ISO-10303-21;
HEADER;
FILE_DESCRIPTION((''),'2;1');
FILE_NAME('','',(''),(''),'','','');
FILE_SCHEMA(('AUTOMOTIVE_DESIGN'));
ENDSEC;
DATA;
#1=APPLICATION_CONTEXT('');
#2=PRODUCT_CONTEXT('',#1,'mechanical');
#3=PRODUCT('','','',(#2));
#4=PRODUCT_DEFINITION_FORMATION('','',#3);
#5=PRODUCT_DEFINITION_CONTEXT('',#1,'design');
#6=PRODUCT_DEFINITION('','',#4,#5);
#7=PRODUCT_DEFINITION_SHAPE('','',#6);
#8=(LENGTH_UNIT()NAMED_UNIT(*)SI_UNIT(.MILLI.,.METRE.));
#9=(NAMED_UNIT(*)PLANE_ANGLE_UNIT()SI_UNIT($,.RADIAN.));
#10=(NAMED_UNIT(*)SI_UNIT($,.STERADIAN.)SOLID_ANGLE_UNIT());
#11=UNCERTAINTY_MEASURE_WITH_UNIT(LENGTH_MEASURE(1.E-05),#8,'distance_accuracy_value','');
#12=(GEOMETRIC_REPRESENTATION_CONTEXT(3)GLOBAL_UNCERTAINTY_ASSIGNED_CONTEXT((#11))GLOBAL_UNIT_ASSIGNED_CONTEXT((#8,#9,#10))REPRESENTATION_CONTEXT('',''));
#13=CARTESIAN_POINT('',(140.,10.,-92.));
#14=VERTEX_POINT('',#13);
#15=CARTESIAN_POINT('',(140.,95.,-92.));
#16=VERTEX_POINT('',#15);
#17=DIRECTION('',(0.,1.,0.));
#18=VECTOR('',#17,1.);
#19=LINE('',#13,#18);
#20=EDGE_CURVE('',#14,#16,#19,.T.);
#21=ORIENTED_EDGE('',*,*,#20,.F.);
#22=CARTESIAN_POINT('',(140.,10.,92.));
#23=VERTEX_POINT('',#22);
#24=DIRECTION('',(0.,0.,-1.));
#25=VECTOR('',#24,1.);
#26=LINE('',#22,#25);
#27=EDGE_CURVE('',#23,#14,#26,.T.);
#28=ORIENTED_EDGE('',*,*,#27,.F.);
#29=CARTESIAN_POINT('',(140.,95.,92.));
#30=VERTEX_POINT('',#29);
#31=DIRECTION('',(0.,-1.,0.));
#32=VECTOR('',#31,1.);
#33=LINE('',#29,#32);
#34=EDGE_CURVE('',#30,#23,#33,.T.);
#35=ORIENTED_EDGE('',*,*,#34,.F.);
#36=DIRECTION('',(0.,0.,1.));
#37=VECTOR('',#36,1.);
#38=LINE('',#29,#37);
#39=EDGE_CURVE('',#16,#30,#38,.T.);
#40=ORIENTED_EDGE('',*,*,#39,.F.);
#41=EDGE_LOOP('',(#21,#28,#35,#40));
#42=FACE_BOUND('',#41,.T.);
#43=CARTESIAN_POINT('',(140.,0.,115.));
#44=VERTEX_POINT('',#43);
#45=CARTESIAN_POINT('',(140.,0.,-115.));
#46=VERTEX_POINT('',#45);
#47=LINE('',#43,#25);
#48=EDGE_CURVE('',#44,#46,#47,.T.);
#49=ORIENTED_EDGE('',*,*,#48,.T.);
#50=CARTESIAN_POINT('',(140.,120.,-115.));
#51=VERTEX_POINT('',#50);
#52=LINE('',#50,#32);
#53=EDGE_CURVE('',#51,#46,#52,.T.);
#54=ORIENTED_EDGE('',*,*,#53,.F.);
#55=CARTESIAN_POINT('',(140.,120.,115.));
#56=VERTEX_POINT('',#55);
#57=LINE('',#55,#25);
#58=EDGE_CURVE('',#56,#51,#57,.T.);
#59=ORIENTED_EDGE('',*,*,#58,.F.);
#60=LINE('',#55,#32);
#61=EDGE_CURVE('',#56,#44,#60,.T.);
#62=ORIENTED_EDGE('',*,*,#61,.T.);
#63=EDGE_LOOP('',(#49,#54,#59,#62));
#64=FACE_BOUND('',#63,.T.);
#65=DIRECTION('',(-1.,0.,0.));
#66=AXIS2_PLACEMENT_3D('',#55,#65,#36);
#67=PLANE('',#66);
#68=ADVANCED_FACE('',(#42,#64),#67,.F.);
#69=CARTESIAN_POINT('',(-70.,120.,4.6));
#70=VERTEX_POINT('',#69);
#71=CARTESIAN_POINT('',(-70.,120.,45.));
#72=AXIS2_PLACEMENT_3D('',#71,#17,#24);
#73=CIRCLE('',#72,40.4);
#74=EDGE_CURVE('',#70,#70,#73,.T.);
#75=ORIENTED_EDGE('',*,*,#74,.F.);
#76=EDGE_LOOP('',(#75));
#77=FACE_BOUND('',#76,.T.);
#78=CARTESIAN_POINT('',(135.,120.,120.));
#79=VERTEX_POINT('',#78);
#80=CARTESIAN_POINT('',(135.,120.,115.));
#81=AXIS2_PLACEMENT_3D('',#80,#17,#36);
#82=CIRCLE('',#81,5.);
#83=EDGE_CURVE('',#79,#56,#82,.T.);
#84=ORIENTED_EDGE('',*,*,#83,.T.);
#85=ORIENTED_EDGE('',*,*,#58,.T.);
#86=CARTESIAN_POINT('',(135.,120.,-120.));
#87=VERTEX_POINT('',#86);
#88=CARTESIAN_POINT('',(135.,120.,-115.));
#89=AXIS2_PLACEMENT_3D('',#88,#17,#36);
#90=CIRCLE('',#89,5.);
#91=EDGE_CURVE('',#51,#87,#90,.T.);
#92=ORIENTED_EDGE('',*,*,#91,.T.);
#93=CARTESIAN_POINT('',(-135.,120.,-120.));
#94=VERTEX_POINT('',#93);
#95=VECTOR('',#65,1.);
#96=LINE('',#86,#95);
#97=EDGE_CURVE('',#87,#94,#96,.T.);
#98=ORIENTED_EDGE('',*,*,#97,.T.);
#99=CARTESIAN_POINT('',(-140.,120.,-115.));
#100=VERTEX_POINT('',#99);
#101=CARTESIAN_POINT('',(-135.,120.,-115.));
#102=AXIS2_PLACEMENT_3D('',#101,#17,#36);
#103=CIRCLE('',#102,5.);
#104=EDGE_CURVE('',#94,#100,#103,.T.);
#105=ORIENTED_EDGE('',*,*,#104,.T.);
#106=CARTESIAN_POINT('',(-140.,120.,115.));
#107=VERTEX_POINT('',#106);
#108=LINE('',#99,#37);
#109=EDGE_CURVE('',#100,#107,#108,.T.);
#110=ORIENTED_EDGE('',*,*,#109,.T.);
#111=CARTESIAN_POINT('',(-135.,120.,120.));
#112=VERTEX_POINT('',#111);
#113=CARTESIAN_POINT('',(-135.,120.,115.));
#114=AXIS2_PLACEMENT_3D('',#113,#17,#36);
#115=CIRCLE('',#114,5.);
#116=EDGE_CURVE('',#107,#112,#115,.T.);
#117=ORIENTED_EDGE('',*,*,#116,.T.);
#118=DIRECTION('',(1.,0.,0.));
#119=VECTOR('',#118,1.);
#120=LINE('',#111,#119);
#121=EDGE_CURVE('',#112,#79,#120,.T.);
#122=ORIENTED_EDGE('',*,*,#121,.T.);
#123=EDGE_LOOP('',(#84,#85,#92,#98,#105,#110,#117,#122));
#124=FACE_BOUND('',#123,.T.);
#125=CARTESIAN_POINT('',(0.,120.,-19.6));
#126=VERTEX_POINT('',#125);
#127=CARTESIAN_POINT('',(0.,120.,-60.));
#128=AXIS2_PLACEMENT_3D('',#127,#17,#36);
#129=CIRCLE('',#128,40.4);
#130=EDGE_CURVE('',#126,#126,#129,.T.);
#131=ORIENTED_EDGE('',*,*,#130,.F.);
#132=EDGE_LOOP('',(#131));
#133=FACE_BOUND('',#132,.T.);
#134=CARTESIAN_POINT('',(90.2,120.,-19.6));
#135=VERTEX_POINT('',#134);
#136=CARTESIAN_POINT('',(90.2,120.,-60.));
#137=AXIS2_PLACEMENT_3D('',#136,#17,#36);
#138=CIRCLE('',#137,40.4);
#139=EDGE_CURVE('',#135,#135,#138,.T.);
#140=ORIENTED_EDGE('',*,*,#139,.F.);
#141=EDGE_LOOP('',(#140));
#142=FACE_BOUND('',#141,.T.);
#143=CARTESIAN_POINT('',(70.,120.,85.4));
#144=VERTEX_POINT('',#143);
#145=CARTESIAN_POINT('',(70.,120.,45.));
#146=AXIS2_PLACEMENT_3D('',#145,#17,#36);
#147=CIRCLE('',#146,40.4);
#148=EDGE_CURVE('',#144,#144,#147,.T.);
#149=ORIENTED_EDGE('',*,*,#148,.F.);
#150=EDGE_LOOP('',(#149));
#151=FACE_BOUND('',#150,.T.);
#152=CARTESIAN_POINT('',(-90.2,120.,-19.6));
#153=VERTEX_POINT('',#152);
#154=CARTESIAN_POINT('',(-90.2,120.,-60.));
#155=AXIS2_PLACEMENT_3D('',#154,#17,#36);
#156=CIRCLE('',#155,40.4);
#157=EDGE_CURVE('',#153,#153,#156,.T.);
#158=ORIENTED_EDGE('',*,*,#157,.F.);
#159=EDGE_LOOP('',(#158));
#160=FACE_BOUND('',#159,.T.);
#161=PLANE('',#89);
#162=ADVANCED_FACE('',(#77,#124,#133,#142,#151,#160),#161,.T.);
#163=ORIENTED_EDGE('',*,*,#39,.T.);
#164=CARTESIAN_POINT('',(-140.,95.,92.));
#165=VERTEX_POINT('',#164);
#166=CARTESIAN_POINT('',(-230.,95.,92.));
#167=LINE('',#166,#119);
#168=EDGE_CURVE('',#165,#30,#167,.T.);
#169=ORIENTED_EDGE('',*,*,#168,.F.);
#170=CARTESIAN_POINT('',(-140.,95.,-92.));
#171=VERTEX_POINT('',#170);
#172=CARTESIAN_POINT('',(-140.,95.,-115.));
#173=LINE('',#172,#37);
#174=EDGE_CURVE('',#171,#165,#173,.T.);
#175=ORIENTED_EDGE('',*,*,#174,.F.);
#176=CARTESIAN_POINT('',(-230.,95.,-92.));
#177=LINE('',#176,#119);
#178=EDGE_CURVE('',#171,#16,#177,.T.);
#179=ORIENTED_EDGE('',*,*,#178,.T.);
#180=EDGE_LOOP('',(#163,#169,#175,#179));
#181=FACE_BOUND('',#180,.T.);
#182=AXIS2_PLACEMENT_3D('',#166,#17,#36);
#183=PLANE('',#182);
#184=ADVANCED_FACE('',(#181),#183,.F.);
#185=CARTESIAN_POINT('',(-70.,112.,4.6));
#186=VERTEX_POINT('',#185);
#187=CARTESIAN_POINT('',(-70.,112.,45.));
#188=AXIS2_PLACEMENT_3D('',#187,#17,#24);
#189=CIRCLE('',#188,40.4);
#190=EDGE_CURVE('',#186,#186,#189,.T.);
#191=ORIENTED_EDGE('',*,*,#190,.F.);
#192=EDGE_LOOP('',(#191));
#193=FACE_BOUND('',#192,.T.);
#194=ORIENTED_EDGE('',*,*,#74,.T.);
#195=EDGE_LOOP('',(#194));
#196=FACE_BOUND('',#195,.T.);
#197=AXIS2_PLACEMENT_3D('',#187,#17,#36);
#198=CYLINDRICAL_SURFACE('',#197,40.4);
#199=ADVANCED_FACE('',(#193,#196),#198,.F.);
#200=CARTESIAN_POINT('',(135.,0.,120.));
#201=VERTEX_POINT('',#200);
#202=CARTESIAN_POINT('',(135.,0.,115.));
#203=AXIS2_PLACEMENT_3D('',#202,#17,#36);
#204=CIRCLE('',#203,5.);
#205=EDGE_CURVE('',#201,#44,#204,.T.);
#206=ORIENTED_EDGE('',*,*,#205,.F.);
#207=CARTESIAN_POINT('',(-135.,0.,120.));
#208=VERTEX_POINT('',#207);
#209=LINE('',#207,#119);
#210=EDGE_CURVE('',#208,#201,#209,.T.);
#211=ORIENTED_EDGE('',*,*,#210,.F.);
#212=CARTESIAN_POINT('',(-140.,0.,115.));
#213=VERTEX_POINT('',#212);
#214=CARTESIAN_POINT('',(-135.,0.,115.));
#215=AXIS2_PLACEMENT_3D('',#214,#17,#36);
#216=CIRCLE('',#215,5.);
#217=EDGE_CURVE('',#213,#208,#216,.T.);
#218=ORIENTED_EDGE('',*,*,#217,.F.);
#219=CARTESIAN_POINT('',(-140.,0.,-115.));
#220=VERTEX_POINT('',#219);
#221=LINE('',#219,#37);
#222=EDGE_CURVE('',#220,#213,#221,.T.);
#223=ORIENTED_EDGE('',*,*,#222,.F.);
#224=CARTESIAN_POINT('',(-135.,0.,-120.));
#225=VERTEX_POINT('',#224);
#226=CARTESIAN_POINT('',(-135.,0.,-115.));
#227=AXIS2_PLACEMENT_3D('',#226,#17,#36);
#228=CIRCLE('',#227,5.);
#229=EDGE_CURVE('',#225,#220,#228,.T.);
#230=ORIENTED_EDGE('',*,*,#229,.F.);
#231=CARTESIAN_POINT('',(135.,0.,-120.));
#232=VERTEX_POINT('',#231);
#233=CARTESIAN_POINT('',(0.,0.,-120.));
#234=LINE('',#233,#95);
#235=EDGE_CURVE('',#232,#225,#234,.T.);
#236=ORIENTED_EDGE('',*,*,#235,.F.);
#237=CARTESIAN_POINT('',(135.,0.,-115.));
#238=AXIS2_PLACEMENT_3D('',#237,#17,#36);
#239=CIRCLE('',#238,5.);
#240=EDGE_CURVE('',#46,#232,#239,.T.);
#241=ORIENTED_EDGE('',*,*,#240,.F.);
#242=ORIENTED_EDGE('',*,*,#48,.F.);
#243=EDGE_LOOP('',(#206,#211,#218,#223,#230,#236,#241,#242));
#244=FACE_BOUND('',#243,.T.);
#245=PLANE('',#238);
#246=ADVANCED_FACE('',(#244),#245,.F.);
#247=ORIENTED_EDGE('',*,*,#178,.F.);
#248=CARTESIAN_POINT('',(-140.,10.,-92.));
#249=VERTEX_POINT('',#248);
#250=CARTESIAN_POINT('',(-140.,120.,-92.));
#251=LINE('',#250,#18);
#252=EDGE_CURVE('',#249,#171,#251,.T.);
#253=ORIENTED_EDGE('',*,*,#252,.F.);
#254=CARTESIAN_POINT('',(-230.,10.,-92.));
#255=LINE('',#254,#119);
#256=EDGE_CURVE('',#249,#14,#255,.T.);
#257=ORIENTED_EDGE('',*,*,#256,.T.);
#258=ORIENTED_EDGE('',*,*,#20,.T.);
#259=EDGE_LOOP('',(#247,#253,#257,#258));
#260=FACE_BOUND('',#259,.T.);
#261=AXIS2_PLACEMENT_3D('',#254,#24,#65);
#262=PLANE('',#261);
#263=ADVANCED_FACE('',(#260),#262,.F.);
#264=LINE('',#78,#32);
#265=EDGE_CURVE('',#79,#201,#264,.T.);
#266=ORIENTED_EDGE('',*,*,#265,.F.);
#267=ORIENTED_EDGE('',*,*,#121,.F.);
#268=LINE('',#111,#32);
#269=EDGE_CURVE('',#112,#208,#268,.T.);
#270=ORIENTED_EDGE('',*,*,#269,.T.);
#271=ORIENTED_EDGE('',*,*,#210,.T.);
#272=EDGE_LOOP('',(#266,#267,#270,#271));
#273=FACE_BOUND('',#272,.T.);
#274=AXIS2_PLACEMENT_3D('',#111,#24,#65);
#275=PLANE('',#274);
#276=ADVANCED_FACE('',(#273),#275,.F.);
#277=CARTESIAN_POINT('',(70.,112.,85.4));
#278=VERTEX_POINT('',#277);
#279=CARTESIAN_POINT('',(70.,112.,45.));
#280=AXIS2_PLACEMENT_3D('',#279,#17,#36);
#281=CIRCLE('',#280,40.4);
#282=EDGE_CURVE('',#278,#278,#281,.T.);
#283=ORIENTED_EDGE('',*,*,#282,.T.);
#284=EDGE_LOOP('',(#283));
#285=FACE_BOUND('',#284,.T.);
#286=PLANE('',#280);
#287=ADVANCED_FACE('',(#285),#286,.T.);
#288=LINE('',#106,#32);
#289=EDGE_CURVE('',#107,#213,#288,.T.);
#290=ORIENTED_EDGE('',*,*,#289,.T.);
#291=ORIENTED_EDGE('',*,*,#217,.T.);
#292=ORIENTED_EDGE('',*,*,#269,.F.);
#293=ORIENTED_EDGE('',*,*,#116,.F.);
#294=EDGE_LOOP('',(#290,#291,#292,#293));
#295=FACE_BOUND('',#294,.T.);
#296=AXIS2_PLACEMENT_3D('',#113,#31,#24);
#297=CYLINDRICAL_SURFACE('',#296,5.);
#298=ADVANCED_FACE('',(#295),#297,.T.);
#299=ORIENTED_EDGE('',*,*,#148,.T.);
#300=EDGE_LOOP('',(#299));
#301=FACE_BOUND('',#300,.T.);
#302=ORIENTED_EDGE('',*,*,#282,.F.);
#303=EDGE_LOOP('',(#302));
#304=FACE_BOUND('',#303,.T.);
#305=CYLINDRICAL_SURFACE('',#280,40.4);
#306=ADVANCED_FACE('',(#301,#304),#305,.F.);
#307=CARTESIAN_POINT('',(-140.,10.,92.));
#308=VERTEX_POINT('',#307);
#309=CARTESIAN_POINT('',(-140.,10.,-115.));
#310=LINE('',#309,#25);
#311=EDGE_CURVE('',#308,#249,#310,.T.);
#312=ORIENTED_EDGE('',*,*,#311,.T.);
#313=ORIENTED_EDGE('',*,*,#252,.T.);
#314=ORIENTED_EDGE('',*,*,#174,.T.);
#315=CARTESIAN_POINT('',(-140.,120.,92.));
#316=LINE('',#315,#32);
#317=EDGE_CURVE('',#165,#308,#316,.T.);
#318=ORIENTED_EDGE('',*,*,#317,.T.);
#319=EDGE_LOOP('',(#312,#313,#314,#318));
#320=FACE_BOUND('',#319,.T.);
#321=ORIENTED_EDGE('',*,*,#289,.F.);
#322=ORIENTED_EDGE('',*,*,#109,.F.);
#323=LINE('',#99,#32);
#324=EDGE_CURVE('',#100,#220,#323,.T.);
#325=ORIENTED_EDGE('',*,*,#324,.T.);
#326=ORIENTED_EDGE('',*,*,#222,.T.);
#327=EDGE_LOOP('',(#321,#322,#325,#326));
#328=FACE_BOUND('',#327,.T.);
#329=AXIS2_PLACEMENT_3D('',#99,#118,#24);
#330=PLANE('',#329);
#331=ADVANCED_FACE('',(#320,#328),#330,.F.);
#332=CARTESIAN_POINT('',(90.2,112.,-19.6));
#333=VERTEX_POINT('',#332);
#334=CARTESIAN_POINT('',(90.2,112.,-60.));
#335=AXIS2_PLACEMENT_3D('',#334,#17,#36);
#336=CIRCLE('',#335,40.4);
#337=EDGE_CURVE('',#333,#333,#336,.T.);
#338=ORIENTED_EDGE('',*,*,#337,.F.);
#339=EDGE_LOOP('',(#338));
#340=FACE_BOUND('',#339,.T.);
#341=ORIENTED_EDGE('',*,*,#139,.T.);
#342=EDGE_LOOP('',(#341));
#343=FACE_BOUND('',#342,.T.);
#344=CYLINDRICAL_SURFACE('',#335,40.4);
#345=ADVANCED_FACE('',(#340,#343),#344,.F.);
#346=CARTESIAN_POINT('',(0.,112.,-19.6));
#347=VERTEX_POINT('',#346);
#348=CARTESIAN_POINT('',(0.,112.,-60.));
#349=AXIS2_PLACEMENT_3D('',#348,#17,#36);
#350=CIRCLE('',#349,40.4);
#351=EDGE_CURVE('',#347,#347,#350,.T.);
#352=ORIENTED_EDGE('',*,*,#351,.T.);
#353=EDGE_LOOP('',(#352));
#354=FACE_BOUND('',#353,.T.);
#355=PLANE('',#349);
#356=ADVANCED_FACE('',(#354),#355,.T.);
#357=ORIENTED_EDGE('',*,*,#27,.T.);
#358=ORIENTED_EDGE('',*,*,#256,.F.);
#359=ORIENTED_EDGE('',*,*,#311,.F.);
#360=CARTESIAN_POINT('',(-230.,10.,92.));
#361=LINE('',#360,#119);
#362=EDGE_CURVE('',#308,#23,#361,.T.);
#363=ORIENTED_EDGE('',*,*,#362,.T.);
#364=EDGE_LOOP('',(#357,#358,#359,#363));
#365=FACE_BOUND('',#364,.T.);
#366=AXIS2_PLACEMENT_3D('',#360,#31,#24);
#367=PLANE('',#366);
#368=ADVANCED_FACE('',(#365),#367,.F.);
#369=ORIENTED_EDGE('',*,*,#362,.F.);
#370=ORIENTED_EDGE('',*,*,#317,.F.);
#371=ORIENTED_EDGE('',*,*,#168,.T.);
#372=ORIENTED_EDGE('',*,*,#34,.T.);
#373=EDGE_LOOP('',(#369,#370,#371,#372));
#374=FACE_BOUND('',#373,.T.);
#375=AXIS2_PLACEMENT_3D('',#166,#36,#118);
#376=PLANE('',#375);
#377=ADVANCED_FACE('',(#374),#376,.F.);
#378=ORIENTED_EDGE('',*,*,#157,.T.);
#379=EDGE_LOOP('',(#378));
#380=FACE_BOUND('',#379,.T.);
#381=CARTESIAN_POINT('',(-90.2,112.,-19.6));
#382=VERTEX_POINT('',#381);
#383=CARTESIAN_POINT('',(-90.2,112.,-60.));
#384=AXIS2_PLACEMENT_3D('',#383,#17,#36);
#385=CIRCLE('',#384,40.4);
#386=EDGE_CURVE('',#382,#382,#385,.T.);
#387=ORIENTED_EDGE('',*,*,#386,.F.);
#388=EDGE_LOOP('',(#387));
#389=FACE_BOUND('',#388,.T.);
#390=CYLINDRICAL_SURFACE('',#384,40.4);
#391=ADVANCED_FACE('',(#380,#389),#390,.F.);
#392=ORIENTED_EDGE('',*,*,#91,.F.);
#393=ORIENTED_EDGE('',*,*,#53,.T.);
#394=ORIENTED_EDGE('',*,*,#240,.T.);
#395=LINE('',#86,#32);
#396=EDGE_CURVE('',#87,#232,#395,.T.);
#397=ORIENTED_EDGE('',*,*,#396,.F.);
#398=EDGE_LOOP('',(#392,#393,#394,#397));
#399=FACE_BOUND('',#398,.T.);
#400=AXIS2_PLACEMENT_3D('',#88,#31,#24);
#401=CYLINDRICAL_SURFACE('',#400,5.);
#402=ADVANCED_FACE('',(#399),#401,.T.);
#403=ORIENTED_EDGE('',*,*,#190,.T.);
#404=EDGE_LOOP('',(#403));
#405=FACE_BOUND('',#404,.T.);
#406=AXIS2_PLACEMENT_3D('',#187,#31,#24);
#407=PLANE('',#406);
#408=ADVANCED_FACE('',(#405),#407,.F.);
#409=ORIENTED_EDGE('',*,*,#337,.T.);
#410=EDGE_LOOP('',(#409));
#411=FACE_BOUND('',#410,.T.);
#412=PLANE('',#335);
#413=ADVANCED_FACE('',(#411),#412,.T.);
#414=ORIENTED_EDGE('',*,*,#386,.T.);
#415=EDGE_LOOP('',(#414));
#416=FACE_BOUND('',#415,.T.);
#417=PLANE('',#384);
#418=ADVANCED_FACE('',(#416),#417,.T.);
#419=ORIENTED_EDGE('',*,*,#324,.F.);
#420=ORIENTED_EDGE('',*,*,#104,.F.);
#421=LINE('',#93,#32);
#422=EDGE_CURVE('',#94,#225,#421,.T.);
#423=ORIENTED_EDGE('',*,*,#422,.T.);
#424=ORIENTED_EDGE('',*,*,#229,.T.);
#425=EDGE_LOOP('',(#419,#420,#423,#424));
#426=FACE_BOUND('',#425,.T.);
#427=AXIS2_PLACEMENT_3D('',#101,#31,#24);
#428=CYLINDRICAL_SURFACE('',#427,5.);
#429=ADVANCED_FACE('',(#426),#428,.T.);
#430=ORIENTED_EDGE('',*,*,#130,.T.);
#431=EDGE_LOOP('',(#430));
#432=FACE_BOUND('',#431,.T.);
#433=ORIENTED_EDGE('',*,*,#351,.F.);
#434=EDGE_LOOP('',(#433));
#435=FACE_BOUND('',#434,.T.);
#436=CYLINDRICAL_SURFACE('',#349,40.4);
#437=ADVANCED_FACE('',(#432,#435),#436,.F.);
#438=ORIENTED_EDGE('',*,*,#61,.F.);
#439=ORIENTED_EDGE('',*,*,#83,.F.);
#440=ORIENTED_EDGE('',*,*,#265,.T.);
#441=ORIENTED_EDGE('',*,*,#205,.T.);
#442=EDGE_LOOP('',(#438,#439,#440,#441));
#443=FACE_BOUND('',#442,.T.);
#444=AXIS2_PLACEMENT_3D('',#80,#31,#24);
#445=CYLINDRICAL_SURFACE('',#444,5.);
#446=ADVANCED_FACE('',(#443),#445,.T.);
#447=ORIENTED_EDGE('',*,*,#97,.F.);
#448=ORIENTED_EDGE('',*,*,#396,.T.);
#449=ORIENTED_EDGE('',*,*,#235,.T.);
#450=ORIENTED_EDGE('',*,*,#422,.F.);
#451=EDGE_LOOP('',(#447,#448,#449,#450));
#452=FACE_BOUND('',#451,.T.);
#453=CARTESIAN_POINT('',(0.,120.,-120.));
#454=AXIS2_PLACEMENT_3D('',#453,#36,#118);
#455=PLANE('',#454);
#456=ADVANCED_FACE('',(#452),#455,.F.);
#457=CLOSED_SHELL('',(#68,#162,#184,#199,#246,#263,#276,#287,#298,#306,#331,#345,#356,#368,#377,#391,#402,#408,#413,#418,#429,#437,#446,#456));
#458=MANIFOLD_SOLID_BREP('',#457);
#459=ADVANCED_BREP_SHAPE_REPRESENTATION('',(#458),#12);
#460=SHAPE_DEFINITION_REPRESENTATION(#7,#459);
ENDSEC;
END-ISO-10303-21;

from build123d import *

# Parameters (mm, degrees)
BOSS_EXTRUDE1_DEPTH = 120
SKETCH2_W           = 184
SKETCH2_H           = 85
CUT_EXTRUDE1_DEPTH  = 370
SKETCH3_R           = 40.4
CUT_EXTRUDE2_DEPTH  = 8


with BuildPart() as part:
    # Sketch1 → Boss-Extrude1 (new body)
    with BuildSketch(Plane(origin=(0, 0, 0), x_dir=(1, 0, 0), z_dir=(0, 1, 0))):
        with BuildLine():
            Line((0, 120), (-135, 120))
            ThreePointArc((-135, 120), (-138.535533906, 118.535533906), (-140, 115))
            Line((-140, 115), (-140, -115))
            ThreePointArc((-140, -115), (-138.535533906, -118.535533906), (-135, -120))
            Line((-135, -120), (135, -120))
            ThreePointArc((135, -120), (138.535533906, -118.535533906), (140, -115))
            Line((140, -115), (140, 115))
            ThreePointArc((140, 115), (138.535533906, 118.535533906), (135, 120))
            Line((135, 120), (0, 120))
        make_face()
    extrude(amount=BOSS_EXTRUDE1_DEPTH)

    # Sketch2 → Cut-Extrude1 (cut)
    with BuildSketch(Plane(origin=(140, 0, 0), x_dir=(0, 0, -1), z_dir=(1, 0, 0))):
        with Locations((0, 52.5)):
            Rectangle(SKETCH2_W, SKETCH2_H)
    extrude(amount=-CUT_EXTRUDE1_DEPTH, mode=Mode.SUBTRACT)

    # Sketch3 → Cut-Extrude2 (cut)
    with BuildSketch(Plane(origin=(0, 120, 0), x_dir=(1, 0, 0), z_dir=(0, 1, 0))):
        with Locations(Location((70, -45, 0), (0, 0, 270))):
            Circle(SKETCH3_R)
        with Locations(Location((-70, -45, 0), (0, 0, 90))):
            Circle(SKETCH3_R)
        with Locations(Location((0, 60, 0), (0, 0, 270))):
            Circle(SKETCH3_R)
        with Locations(Location((-90.2, 60, 0), (0, 0, 270))):
            Circle(SKETCH3_R)
        with Locations(Location((90.2, 60, 0), (0, 0, 270))):
            Circle(SKETCH3_R)
    extrude(amount=-CUT_EXTRUDE2_DEPTH, mode=Mode.SUBTRACT)


solid = part.part
